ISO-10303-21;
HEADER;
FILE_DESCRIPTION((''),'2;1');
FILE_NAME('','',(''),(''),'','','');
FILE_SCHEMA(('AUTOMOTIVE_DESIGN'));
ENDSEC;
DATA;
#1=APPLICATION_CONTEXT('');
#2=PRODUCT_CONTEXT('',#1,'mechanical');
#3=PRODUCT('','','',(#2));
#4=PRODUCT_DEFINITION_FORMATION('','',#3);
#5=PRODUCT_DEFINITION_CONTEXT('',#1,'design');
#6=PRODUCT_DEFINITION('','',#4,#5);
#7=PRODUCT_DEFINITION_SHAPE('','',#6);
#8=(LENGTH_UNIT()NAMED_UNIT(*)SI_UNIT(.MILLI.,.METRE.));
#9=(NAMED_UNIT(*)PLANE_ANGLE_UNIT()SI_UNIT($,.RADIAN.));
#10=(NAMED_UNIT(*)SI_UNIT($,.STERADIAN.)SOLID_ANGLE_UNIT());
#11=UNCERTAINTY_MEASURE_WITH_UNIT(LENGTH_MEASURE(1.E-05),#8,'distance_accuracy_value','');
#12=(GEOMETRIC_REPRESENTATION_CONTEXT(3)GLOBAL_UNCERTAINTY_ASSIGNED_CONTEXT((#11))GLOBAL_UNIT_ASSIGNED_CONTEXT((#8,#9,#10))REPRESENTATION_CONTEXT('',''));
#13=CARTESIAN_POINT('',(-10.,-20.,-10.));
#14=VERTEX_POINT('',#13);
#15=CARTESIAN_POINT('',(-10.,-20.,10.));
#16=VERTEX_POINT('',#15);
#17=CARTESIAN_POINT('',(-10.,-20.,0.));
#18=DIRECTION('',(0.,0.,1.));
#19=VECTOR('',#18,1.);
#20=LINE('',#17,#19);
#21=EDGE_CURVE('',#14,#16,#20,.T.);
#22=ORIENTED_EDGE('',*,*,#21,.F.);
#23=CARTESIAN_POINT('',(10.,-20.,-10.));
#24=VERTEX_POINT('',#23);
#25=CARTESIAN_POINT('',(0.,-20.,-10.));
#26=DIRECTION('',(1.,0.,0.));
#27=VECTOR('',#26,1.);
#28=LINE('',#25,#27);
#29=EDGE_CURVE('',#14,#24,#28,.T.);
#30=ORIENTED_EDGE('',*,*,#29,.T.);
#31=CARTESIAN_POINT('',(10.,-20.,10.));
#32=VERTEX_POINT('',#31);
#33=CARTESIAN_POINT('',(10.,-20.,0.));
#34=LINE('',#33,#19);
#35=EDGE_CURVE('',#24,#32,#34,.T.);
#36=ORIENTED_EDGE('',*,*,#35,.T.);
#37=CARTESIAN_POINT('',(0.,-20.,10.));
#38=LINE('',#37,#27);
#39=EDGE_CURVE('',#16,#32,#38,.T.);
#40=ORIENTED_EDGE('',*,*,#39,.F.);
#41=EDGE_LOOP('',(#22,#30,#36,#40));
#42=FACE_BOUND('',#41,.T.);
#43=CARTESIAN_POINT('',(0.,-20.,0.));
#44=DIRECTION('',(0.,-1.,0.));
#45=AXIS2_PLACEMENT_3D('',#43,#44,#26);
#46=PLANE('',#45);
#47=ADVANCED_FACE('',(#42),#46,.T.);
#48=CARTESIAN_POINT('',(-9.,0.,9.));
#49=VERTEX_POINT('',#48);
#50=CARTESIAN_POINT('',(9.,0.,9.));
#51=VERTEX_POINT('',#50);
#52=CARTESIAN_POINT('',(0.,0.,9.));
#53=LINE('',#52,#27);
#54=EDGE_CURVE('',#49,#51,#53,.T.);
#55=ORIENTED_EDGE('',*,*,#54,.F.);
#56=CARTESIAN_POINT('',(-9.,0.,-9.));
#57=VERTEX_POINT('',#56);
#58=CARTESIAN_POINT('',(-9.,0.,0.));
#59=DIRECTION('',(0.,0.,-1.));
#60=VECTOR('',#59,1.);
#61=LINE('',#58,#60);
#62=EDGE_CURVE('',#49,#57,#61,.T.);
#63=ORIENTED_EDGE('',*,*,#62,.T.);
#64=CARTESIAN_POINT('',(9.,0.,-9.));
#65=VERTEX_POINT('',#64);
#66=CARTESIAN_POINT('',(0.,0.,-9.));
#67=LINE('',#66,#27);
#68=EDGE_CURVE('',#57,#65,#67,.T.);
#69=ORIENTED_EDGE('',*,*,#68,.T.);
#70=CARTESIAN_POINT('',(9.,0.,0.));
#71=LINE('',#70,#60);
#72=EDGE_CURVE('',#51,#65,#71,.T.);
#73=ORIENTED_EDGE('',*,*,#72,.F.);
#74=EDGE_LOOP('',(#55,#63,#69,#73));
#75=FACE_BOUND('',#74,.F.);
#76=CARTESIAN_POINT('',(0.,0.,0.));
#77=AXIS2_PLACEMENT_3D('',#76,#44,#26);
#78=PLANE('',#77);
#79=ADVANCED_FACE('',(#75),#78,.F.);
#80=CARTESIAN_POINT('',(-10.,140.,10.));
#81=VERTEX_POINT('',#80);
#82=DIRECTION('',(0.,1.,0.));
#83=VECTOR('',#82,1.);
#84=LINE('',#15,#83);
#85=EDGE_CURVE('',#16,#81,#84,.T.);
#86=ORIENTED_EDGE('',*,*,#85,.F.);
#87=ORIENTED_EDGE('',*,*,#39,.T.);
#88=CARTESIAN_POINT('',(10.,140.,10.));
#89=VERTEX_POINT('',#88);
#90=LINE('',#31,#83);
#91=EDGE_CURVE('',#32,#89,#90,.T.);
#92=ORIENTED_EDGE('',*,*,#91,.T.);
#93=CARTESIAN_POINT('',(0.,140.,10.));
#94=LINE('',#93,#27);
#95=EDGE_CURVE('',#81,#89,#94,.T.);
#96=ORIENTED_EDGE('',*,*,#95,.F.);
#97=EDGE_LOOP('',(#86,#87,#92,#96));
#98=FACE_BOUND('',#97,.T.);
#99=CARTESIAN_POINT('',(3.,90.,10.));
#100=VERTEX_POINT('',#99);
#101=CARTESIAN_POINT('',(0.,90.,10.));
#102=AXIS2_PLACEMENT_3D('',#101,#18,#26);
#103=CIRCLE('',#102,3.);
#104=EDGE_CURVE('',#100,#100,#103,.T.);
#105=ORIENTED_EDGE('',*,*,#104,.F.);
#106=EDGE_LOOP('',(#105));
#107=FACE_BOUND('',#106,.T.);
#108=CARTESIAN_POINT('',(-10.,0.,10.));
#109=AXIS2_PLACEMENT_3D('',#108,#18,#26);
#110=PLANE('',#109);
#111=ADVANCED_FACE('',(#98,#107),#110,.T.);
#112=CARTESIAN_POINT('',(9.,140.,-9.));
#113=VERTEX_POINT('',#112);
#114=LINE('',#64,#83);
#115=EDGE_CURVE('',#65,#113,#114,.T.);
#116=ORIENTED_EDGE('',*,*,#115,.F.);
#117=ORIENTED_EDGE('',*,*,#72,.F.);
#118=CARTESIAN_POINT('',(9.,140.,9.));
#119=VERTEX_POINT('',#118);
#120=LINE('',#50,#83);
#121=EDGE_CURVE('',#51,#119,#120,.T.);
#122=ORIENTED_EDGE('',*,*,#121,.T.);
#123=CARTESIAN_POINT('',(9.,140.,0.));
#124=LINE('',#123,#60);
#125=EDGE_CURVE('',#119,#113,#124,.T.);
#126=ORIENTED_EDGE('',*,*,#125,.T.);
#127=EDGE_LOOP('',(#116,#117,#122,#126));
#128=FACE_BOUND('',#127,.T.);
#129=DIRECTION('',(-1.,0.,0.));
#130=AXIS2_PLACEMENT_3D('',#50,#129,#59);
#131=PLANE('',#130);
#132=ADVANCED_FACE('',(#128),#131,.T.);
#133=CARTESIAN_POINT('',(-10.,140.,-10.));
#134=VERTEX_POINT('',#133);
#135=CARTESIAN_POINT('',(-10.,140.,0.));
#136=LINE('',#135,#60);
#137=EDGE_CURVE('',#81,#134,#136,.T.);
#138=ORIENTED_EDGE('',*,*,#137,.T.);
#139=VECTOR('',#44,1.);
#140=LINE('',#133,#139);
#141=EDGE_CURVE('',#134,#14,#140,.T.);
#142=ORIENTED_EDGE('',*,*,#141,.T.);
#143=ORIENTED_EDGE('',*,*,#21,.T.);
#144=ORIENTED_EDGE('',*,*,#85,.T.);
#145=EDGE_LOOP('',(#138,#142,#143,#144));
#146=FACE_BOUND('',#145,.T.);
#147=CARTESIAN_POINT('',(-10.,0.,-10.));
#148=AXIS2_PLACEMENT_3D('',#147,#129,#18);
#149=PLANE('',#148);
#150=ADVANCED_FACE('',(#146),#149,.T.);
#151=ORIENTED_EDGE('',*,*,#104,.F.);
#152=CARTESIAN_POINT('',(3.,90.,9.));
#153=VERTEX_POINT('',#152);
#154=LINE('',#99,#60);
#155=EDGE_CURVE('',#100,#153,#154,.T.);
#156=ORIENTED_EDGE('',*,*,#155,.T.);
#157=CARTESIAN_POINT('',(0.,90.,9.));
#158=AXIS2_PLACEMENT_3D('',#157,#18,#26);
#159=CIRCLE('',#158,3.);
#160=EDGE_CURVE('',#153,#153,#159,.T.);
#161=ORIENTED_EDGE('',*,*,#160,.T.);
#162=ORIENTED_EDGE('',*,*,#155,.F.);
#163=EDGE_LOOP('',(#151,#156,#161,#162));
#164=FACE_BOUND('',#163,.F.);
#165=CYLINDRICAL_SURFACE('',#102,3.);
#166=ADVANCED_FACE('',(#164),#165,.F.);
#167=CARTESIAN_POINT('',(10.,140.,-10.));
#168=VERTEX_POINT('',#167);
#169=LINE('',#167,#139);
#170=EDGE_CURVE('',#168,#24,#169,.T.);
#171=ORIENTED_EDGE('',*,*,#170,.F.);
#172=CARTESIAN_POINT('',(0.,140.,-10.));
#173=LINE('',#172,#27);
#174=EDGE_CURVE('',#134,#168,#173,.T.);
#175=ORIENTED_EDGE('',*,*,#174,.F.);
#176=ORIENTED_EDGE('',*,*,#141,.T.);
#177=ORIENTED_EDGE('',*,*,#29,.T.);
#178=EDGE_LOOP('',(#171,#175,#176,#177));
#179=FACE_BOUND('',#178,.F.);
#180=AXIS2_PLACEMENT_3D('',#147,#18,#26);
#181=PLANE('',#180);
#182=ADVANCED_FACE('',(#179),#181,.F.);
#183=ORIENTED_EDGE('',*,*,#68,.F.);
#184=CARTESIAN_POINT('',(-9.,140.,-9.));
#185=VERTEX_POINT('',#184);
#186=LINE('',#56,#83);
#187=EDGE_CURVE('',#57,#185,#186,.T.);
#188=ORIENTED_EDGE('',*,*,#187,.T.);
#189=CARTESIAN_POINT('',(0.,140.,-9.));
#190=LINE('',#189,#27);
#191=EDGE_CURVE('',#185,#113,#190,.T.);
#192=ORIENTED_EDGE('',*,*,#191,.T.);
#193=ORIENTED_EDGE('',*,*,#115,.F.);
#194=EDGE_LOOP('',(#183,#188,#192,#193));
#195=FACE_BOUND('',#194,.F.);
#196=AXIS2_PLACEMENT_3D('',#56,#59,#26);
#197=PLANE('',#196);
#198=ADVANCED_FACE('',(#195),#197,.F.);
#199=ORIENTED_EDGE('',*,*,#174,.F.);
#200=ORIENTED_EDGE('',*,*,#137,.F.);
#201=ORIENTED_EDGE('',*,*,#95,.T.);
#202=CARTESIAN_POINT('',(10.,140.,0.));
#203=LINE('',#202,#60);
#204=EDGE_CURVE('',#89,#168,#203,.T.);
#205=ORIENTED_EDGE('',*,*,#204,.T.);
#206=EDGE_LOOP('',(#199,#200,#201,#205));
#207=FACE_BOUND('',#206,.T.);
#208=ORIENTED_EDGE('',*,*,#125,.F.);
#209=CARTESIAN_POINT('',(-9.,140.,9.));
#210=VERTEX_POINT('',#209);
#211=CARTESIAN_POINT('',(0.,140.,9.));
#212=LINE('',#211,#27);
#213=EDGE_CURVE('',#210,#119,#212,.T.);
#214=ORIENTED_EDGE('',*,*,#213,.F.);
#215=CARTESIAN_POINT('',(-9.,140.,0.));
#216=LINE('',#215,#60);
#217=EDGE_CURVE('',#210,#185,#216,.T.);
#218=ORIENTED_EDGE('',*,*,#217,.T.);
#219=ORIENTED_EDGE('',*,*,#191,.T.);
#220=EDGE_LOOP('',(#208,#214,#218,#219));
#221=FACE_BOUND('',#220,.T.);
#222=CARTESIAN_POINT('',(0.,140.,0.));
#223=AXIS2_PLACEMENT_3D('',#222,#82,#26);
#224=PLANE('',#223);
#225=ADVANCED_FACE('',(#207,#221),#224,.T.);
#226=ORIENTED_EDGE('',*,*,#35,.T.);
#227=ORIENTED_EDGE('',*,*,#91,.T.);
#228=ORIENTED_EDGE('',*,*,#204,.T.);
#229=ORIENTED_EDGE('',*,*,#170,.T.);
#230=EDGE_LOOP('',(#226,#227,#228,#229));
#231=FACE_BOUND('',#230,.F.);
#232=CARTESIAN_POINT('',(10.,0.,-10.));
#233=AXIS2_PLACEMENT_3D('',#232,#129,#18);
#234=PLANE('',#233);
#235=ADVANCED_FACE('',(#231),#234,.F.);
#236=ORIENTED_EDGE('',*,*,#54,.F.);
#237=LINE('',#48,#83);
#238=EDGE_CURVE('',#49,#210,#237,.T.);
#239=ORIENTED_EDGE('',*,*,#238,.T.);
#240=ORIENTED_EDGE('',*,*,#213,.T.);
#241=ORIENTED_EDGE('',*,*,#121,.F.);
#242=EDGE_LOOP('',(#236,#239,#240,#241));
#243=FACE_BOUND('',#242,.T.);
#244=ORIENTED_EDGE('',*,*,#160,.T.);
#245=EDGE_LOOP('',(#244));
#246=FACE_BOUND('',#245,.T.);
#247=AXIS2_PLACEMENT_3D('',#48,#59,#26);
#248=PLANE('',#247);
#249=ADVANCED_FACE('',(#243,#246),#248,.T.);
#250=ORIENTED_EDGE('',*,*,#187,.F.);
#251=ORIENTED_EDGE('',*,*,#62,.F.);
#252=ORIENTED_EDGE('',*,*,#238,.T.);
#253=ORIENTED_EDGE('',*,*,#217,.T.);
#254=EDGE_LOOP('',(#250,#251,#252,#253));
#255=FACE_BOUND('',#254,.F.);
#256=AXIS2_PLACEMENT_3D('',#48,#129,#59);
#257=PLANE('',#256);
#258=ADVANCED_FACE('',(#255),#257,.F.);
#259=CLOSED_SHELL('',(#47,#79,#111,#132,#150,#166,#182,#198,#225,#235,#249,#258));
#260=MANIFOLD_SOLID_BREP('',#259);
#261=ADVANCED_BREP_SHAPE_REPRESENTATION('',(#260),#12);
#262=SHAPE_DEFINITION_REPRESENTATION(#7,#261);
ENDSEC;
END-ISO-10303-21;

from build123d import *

# Parameters (mm, degrees)
SKETCH_1_W          = 20
SKETCH_1_H          = 20
SKETCH_1_W_2        = 18
SKETCH_1_H_2        = 18
EXTRUDE_1_DEPTH     = 140
SKETCH_2_W          = 20
SKETCH_2_H          = 20
EXTRUDE_2_DEPTH     = 20
SKETCH_3_R          = 3
CUT_EXTRUDE_1_DEPTH = 2


with BuildPart() as part:
    # 草图1 → 凸台-拉伸1 (new body)
    with BuildSketch(Plane(origin=(0, 0, 0), x_dir=(1, 0, 0), z_dir=(0, 1, 0))):
        Rectangle(SKETCH_1_W, SKETCH_1_H)
        Rectangle(SKETCH_1_W_2, SKETCH_1_H_2, mode=Mode.SUBTRACT)
    extrude(amount=EXTRUDE_1_DEPTH)

    # 草图2 → 凸台-拉伸2 (add)
    with BuildSketch(Plane.XZ):
        Rectangle(SKETCH_2_W, SKETCH_2_H)
    extrude(amount=EXTRUDE_2_DEPTH)

    # 草图3 → 切除-拉伸1 (cut)
    with BuildSketch(Plane.XY.offset(10)):
        with Locations((0, 90)):
            Circle(SKETCH_3_R)
    extrude(amount=-CUT_EXTRUDE_1_DEPTH, mode=Mode.SUBTRACT)


solid = part.part
